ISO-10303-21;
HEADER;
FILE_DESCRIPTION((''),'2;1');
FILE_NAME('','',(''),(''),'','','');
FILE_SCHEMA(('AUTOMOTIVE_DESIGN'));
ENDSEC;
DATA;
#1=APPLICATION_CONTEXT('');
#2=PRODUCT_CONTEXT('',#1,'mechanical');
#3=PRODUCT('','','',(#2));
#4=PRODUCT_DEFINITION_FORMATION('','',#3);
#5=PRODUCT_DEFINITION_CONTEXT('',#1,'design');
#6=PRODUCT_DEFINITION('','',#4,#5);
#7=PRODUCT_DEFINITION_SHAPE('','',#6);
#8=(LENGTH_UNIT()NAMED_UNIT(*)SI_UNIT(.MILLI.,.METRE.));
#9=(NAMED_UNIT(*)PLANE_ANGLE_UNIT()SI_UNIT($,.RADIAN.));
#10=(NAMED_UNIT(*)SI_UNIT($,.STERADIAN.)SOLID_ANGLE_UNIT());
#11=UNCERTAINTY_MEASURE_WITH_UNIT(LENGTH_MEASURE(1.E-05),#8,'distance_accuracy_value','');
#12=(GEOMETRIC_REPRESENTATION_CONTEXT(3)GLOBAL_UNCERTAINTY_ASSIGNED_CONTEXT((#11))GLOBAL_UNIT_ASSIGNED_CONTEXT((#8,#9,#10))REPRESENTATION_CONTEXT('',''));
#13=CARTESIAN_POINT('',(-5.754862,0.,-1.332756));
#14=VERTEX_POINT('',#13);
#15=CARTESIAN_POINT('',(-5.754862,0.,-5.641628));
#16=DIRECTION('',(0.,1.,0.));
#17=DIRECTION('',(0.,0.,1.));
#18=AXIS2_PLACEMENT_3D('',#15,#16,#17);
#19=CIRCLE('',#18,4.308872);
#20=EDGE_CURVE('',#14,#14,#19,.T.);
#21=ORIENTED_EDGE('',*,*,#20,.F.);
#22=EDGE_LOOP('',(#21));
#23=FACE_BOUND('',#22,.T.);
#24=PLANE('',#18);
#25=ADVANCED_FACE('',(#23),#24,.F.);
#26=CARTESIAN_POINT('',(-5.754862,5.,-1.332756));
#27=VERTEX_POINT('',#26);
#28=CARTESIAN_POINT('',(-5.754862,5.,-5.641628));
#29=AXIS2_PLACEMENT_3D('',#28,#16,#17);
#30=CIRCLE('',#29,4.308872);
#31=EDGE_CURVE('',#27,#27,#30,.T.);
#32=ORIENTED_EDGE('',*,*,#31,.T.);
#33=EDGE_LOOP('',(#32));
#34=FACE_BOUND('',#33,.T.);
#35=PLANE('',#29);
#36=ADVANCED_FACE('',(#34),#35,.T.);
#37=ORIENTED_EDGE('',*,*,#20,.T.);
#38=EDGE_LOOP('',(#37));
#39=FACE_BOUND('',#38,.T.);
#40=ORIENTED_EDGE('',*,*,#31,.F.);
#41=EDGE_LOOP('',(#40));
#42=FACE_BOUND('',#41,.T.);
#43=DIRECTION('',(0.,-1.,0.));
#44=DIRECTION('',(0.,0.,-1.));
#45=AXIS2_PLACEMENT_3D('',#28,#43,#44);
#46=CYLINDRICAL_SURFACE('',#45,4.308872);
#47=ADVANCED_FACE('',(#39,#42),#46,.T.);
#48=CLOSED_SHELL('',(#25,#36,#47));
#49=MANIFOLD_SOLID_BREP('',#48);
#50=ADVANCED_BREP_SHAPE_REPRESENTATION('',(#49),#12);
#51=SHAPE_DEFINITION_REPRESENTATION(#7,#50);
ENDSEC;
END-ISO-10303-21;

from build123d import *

# Parameters (mm, degrees)
SKETCH1_R           = 4.308872245
BOSS_EXTRUDE1_DEPTH = 5


with BuildPart() as part:
    # Sketch1 → Boss-Extrude1 (new body)
    with BuildSketch(Plane(origin=(0, 0, 0), x_dir=(1, 0, 0), z_dir=(0, 1, 0))):
        with Locations(Location((-5.754862303, 5.6416284, 0), (0, 0, 270))):
            Circle(SKETCH1_R)
    extrude(amount=BOSS_EXTRUDE1_DEPTH)


solid = part.part
